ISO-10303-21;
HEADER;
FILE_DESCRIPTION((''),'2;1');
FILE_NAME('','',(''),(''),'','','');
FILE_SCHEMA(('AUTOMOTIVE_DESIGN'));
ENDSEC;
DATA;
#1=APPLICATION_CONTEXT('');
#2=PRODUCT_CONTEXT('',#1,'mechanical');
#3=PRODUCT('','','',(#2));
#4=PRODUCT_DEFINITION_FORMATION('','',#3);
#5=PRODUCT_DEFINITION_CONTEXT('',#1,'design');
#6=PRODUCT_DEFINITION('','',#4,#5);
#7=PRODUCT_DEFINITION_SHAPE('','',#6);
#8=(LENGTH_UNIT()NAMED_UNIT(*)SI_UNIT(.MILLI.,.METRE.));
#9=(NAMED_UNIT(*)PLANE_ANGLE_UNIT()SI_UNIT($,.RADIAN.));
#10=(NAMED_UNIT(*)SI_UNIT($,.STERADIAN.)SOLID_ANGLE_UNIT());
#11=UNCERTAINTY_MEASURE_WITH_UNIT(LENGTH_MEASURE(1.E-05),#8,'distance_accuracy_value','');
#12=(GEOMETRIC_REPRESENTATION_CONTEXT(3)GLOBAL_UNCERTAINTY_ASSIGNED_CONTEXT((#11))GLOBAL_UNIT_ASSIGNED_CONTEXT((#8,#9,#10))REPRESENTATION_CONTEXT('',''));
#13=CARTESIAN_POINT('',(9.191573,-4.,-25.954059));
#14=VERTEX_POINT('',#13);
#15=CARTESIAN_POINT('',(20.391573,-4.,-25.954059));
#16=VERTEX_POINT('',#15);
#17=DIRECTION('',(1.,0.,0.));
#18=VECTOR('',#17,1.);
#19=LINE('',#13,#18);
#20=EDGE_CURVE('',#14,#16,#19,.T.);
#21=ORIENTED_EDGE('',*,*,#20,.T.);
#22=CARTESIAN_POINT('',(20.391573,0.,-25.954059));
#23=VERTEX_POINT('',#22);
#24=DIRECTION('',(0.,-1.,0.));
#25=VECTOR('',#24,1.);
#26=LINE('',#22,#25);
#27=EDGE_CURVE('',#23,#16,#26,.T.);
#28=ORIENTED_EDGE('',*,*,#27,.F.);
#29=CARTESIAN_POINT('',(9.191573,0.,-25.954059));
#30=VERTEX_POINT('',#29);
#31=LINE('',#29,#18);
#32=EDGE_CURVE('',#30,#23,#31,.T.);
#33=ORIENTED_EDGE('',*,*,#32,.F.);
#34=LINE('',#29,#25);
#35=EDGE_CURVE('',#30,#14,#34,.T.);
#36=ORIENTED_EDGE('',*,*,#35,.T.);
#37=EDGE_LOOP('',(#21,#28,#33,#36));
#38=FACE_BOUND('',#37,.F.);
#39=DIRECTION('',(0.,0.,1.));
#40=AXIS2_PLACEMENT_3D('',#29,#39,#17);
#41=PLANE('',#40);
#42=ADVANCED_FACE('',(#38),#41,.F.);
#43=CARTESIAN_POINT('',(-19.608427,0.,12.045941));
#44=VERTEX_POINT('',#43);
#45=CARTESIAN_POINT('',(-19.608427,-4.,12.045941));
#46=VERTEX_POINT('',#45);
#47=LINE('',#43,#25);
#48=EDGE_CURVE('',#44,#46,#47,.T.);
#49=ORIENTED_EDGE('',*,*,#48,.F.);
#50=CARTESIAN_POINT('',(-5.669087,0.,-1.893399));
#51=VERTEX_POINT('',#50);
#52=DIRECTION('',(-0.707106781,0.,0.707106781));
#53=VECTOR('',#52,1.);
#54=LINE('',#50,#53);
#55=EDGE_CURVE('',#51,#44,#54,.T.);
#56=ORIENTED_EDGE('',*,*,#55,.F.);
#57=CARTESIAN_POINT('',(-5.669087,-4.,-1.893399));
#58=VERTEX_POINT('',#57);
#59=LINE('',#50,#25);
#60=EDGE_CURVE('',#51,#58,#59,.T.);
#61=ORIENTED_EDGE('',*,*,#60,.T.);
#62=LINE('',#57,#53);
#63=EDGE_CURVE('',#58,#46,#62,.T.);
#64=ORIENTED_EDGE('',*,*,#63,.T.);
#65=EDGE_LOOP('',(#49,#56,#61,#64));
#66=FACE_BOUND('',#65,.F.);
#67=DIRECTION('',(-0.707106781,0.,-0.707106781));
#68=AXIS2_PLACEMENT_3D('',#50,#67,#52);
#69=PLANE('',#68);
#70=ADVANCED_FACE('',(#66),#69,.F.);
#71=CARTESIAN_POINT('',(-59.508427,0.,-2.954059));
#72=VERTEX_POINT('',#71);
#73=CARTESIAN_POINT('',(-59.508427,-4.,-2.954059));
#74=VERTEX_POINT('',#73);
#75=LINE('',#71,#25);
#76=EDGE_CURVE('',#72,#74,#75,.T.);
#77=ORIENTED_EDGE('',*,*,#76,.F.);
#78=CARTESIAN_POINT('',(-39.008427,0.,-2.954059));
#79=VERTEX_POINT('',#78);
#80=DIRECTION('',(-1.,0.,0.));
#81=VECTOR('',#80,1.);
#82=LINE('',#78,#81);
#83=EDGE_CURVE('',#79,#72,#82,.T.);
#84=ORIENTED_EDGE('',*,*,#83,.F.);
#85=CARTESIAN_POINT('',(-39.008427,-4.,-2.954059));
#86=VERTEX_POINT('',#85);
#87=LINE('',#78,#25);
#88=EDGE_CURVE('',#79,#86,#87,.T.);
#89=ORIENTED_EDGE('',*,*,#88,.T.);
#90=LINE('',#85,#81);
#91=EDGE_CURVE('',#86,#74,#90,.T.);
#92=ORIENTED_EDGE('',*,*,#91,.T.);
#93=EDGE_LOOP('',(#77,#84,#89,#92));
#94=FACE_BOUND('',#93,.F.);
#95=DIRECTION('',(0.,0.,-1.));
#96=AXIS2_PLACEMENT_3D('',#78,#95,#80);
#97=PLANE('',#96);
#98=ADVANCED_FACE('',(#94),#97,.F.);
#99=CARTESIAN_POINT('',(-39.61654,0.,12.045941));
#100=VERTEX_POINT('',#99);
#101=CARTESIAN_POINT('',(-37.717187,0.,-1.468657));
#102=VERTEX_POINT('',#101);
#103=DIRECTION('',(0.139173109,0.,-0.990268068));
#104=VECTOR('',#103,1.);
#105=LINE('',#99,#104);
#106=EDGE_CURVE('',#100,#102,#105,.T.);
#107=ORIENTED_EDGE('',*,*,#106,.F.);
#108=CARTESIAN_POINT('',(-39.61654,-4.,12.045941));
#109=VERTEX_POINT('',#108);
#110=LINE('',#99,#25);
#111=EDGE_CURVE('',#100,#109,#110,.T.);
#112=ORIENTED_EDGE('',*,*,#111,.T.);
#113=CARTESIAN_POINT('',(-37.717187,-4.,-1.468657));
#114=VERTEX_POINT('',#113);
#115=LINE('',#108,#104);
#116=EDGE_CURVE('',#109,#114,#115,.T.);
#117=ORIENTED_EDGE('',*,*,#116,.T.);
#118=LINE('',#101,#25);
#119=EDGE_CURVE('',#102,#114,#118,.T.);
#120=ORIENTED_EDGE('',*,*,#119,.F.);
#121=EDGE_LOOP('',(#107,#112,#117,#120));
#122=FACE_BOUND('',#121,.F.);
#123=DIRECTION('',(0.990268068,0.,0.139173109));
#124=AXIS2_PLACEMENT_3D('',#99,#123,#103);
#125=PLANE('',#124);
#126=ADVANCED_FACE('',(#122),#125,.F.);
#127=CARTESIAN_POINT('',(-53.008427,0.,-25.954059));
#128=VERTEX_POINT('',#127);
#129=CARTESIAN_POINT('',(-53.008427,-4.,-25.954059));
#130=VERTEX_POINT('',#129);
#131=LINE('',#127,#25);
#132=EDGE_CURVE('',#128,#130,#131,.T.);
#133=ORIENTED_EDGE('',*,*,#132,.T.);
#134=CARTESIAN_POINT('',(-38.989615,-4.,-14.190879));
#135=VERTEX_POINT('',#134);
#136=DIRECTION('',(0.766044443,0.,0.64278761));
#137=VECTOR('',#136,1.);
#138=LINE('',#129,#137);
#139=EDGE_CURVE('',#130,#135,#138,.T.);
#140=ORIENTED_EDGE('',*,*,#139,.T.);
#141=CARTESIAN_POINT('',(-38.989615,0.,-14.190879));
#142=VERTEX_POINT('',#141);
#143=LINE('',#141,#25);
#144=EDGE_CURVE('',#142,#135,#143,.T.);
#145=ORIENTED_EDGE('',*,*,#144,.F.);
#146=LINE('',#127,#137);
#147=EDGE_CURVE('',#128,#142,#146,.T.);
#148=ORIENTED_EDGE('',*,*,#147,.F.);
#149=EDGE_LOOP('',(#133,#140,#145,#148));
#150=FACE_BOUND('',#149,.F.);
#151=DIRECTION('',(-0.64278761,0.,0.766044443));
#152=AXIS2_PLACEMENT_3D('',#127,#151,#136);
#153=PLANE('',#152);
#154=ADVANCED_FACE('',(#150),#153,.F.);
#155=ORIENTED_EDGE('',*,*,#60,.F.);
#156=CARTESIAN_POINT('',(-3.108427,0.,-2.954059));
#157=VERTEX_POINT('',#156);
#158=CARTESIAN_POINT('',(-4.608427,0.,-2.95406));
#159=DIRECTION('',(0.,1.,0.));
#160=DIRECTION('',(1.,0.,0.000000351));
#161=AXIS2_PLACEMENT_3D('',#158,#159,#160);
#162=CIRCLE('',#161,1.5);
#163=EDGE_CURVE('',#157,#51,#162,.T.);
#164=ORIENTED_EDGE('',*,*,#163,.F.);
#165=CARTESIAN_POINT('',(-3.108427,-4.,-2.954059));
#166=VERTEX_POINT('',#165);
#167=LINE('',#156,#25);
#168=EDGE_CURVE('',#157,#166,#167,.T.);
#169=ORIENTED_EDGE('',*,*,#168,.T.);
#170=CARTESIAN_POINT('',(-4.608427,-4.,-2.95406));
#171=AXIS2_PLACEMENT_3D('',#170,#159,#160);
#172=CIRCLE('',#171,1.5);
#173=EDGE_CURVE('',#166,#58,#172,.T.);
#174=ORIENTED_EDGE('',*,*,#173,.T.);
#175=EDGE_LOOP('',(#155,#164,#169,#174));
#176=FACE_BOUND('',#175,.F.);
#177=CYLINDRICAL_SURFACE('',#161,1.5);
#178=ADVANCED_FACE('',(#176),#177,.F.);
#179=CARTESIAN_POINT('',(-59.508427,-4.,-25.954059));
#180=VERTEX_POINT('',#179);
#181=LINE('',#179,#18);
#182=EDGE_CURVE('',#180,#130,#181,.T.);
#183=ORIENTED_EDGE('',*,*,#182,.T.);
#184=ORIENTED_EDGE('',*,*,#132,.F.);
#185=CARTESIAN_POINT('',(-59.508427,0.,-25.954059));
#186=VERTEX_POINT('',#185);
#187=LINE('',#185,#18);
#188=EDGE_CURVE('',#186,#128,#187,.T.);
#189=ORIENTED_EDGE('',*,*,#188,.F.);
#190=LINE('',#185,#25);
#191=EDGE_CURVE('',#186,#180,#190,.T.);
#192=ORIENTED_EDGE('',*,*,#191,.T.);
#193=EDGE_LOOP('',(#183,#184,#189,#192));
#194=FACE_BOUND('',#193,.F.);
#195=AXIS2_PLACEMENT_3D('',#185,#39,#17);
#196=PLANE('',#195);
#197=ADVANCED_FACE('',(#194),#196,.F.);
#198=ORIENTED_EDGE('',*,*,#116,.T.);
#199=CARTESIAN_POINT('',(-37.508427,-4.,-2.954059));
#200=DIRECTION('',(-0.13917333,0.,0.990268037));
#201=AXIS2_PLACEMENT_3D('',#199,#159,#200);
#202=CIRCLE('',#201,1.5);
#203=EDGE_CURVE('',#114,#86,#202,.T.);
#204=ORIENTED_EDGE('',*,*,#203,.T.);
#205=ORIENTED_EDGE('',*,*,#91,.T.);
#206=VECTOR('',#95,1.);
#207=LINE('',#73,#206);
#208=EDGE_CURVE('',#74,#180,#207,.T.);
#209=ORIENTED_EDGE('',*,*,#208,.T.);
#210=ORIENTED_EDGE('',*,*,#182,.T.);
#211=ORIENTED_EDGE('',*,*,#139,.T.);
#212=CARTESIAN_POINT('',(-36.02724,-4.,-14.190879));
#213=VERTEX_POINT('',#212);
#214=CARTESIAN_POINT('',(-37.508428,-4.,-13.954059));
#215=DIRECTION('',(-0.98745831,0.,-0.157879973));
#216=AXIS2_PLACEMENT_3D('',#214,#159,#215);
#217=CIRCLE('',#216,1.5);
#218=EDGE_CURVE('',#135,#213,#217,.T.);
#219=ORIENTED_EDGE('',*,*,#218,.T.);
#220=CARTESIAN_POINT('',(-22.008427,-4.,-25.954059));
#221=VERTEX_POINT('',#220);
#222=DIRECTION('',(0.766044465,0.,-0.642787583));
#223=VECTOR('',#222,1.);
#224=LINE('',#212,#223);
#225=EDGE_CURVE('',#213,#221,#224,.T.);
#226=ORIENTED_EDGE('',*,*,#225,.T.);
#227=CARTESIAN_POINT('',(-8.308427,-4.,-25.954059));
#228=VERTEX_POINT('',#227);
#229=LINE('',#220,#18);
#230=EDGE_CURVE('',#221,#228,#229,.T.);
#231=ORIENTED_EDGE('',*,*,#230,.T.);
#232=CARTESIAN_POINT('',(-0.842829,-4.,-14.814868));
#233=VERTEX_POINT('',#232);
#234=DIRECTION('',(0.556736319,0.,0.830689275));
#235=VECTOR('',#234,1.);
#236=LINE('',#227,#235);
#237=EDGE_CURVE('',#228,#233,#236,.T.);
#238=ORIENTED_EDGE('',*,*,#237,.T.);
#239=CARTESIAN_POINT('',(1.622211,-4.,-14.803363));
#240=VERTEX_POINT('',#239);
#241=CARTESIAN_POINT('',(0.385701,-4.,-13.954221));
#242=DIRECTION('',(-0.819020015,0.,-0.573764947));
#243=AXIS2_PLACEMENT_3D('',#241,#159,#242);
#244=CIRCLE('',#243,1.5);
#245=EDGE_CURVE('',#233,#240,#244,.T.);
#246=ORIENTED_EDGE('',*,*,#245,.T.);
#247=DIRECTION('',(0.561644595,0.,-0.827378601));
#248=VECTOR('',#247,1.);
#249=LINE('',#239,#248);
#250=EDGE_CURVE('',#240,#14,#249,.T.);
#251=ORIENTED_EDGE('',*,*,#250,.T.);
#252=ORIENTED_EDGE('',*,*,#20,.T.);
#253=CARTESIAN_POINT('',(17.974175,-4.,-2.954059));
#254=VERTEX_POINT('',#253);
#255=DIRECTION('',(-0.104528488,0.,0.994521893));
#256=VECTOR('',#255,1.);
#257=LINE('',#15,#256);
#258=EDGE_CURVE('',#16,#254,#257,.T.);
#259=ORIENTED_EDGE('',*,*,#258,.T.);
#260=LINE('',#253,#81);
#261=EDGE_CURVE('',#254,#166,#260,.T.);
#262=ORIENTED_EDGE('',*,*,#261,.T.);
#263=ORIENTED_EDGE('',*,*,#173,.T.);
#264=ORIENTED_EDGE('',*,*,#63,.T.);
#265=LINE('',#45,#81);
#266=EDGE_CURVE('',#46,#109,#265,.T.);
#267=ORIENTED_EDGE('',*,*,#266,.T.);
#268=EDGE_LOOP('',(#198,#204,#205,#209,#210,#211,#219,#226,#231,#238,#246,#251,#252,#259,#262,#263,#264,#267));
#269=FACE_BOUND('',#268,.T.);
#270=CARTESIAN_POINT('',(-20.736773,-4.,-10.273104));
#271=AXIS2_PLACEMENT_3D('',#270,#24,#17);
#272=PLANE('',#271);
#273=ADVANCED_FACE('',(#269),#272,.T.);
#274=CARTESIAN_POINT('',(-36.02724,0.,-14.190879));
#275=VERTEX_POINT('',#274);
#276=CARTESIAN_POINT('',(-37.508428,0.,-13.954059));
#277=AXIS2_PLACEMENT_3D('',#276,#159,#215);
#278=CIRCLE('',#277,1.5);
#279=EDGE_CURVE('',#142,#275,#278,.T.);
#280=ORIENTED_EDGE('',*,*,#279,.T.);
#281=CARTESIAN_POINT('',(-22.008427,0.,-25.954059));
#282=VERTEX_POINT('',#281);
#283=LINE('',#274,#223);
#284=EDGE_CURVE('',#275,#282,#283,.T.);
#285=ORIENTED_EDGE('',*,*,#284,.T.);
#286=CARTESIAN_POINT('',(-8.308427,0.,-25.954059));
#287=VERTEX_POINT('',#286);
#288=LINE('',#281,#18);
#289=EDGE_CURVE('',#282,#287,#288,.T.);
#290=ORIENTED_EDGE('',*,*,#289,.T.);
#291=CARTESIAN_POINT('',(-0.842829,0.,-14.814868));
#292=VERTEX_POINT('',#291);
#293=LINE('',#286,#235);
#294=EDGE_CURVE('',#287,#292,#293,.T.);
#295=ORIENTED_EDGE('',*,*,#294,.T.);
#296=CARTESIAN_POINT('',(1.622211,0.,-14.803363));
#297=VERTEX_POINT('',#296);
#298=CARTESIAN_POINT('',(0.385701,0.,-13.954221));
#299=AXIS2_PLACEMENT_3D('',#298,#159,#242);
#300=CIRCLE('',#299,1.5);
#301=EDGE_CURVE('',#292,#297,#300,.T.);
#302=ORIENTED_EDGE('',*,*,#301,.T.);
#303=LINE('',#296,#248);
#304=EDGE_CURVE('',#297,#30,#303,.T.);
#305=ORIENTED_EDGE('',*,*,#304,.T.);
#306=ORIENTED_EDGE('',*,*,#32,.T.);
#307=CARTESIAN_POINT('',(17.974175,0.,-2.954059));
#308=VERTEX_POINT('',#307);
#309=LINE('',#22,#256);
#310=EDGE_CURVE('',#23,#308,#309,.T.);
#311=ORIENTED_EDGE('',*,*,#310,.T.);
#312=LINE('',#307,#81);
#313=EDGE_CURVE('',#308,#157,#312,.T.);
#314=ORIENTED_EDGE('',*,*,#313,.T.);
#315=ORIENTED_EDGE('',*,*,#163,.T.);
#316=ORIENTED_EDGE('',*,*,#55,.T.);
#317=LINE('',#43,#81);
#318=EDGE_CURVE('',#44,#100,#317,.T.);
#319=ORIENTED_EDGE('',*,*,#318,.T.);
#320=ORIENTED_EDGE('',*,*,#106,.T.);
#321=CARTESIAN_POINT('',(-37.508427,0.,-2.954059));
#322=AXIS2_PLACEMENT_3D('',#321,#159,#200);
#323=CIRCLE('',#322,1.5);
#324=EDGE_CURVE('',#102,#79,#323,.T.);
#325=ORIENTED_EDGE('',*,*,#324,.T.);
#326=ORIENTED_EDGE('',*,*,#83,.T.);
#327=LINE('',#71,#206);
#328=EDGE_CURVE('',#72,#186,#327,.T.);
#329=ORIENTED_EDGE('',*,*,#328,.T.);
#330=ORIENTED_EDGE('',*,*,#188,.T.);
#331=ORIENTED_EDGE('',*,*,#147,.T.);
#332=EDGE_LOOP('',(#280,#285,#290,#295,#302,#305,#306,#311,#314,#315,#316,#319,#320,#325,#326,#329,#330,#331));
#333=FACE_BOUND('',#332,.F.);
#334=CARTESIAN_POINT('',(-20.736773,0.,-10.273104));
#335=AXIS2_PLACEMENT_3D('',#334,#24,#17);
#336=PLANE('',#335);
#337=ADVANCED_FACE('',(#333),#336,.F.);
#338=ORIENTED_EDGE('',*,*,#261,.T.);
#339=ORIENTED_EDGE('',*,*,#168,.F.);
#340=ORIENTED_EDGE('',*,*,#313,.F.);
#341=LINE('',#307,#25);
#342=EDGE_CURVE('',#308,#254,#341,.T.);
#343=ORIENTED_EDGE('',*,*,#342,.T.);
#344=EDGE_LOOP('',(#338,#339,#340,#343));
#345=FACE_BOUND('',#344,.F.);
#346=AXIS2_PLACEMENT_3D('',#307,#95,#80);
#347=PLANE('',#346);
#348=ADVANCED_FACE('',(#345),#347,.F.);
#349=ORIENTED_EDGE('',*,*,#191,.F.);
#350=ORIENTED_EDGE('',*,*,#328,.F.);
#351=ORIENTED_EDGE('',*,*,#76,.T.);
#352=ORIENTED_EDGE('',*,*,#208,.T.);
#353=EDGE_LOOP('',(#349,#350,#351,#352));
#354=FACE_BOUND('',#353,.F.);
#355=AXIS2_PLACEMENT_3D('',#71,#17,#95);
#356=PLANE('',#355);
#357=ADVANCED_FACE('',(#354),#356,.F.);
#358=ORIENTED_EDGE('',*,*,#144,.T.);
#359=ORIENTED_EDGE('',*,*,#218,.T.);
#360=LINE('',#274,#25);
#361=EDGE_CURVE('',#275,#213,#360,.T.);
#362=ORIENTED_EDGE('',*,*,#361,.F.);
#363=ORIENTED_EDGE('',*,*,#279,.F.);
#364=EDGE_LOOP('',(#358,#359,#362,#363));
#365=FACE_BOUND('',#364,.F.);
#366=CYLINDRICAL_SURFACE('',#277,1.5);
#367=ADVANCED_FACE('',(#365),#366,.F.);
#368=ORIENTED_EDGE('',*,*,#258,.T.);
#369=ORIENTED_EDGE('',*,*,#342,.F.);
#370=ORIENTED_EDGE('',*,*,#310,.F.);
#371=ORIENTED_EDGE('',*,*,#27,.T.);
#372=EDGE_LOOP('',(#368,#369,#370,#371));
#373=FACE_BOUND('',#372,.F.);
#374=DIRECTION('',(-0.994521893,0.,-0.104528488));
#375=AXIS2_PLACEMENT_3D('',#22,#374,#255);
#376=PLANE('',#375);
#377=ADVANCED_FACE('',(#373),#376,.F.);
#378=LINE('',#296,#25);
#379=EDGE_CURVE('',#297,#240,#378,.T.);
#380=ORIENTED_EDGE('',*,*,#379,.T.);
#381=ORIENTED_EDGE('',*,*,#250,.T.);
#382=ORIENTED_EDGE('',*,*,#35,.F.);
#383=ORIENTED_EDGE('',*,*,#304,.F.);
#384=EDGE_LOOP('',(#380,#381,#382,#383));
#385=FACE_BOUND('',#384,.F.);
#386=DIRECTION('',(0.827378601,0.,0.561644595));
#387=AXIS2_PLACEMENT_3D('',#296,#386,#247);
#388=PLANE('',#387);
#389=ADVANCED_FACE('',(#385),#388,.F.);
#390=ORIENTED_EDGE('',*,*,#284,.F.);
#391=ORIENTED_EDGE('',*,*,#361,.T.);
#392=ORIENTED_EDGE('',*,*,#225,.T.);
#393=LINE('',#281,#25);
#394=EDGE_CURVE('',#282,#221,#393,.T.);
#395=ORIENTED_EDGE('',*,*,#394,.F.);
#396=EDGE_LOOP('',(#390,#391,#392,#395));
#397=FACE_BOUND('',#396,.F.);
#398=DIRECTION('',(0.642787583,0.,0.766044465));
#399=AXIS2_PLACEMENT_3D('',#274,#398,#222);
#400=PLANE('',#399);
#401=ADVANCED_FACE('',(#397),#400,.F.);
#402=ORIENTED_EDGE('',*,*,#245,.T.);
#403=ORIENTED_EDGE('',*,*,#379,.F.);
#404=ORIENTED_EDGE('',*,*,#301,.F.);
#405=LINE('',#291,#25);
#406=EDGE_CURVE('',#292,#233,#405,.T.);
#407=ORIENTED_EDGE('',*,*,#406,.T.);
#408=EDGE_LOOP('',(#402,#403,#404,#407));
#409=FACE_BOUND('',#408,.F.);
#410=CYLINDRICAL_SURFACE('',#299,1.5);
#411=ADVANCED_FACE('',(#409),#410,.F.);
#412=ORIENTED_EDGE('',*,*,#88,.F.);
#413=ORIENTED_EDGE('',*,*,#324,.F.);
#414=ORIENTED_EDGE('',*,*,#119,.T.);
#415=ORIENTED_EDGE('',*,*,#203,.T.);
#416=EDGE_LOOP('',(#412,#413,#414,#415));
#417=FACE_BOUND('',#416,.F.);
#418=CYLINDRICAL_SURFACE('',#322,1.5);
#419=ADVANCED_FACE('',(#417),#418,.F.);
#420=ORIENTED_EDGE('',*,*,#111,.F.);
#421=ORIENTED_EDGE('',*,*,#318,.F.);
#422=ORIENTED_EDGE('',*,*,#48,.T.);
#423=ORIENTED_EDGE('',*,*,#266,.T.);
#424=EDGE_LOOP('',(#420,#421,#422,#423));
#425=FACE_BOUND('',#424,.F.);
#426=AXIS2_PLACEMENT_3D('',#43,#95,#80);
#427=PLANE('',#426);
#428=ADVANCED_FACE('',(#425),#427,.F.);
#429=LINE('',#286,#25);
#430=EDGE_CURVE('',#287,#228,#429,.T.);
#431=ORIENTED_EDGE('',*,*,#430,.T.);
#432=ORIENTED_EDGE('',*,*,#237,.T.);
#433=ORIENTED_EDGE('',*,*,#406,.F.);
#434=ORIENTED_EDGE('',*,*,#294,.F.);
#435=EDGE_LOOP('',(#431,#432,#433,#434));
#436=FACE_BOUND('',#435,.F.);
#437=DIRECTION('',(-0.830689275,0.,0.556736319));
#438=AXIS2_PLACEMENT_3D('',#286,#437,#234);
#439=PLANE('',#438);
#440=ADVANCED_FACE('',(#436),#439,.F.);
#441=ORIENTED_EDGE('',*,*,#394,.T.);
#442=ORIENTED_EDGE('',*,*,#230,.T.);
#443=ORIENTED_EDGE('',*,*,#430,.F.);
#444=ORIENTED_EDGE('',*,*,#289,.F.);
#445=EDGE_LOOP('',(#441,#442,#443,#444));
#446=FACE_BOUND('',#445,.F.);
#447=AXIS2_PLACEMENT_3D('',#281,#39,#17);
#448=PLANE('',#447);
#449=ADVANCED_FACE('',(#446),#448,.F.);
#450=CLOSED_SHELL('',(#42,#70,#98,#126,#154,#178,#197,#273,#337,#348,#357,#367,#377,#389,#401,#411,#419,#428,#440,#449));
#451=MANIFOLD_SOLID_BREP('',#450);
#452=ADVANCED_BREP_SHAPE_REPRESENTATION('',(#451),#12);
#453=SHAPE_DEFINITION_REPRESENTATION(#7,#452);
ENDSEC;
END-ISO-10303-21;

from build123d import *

# Parameters (mm, degrees)
F1_DEPTH = 4


with BuildPart() as f1:
    # F0 (on Front) → F1 (new body)
    with BuildSketch(Plane.XZ):
        with BuildLine():
            Line((-19.608427, 12.045941), (-39.61654, 12.045941))
            Line((-39.61654, 12.045941), (-37.717187, -1.468657))
            ThreePointArc((-37.717187, -1.468657), (-36.376363, -3.938148), (-39.008427, -2.954059))
            Line((-39.008427, -2.954059), (-59.508427, -2.954059))
            Line((-59.508427, -2.954059), (-59.508427, -25.954059))
            Line((-59.508427, -25.954059), (-53.008427, -25.954059))
            Line((-53.008427, -25.954059), (-38.989615, -14.190879))
            ThreePointArc((-38.989615, -14.190879), (-37.508427, -12.454059), (-36.02724, -14.190879))
            Line((-36.02724, -14.190879), (-22.008427, -25.954059))
            Line((-22.008427, -25.954059), (-8.308427, -25.954059))
            Line((-8.308427, -25.954059), (-0.842829, -14.814868))
            ThreePointArc((-0.842829, -14.814868), (0.378701, -12.454237), (1.622211, -14.803363))
            Line((1.622211, -14.803363), (9.191573, -25.954059))
            Line((9.191573, -25.954059), (20.391573, -25.954059))
            Line((20.391573, -25.954059), (17.974175, -2.954059))
            Line((17.974175, -2.954059), (-3.108427, -2.954059))
            ThreePointArc((-3.108427, -2.954059), (-5.182452, -4.339879), (-5.669087, -1.893399))
            Line((-5.669087, -1.893399), (-19.608427, 12.045941))
        make_face()
    extrude(amount=F1_DEPTH)


solid = f1.part
